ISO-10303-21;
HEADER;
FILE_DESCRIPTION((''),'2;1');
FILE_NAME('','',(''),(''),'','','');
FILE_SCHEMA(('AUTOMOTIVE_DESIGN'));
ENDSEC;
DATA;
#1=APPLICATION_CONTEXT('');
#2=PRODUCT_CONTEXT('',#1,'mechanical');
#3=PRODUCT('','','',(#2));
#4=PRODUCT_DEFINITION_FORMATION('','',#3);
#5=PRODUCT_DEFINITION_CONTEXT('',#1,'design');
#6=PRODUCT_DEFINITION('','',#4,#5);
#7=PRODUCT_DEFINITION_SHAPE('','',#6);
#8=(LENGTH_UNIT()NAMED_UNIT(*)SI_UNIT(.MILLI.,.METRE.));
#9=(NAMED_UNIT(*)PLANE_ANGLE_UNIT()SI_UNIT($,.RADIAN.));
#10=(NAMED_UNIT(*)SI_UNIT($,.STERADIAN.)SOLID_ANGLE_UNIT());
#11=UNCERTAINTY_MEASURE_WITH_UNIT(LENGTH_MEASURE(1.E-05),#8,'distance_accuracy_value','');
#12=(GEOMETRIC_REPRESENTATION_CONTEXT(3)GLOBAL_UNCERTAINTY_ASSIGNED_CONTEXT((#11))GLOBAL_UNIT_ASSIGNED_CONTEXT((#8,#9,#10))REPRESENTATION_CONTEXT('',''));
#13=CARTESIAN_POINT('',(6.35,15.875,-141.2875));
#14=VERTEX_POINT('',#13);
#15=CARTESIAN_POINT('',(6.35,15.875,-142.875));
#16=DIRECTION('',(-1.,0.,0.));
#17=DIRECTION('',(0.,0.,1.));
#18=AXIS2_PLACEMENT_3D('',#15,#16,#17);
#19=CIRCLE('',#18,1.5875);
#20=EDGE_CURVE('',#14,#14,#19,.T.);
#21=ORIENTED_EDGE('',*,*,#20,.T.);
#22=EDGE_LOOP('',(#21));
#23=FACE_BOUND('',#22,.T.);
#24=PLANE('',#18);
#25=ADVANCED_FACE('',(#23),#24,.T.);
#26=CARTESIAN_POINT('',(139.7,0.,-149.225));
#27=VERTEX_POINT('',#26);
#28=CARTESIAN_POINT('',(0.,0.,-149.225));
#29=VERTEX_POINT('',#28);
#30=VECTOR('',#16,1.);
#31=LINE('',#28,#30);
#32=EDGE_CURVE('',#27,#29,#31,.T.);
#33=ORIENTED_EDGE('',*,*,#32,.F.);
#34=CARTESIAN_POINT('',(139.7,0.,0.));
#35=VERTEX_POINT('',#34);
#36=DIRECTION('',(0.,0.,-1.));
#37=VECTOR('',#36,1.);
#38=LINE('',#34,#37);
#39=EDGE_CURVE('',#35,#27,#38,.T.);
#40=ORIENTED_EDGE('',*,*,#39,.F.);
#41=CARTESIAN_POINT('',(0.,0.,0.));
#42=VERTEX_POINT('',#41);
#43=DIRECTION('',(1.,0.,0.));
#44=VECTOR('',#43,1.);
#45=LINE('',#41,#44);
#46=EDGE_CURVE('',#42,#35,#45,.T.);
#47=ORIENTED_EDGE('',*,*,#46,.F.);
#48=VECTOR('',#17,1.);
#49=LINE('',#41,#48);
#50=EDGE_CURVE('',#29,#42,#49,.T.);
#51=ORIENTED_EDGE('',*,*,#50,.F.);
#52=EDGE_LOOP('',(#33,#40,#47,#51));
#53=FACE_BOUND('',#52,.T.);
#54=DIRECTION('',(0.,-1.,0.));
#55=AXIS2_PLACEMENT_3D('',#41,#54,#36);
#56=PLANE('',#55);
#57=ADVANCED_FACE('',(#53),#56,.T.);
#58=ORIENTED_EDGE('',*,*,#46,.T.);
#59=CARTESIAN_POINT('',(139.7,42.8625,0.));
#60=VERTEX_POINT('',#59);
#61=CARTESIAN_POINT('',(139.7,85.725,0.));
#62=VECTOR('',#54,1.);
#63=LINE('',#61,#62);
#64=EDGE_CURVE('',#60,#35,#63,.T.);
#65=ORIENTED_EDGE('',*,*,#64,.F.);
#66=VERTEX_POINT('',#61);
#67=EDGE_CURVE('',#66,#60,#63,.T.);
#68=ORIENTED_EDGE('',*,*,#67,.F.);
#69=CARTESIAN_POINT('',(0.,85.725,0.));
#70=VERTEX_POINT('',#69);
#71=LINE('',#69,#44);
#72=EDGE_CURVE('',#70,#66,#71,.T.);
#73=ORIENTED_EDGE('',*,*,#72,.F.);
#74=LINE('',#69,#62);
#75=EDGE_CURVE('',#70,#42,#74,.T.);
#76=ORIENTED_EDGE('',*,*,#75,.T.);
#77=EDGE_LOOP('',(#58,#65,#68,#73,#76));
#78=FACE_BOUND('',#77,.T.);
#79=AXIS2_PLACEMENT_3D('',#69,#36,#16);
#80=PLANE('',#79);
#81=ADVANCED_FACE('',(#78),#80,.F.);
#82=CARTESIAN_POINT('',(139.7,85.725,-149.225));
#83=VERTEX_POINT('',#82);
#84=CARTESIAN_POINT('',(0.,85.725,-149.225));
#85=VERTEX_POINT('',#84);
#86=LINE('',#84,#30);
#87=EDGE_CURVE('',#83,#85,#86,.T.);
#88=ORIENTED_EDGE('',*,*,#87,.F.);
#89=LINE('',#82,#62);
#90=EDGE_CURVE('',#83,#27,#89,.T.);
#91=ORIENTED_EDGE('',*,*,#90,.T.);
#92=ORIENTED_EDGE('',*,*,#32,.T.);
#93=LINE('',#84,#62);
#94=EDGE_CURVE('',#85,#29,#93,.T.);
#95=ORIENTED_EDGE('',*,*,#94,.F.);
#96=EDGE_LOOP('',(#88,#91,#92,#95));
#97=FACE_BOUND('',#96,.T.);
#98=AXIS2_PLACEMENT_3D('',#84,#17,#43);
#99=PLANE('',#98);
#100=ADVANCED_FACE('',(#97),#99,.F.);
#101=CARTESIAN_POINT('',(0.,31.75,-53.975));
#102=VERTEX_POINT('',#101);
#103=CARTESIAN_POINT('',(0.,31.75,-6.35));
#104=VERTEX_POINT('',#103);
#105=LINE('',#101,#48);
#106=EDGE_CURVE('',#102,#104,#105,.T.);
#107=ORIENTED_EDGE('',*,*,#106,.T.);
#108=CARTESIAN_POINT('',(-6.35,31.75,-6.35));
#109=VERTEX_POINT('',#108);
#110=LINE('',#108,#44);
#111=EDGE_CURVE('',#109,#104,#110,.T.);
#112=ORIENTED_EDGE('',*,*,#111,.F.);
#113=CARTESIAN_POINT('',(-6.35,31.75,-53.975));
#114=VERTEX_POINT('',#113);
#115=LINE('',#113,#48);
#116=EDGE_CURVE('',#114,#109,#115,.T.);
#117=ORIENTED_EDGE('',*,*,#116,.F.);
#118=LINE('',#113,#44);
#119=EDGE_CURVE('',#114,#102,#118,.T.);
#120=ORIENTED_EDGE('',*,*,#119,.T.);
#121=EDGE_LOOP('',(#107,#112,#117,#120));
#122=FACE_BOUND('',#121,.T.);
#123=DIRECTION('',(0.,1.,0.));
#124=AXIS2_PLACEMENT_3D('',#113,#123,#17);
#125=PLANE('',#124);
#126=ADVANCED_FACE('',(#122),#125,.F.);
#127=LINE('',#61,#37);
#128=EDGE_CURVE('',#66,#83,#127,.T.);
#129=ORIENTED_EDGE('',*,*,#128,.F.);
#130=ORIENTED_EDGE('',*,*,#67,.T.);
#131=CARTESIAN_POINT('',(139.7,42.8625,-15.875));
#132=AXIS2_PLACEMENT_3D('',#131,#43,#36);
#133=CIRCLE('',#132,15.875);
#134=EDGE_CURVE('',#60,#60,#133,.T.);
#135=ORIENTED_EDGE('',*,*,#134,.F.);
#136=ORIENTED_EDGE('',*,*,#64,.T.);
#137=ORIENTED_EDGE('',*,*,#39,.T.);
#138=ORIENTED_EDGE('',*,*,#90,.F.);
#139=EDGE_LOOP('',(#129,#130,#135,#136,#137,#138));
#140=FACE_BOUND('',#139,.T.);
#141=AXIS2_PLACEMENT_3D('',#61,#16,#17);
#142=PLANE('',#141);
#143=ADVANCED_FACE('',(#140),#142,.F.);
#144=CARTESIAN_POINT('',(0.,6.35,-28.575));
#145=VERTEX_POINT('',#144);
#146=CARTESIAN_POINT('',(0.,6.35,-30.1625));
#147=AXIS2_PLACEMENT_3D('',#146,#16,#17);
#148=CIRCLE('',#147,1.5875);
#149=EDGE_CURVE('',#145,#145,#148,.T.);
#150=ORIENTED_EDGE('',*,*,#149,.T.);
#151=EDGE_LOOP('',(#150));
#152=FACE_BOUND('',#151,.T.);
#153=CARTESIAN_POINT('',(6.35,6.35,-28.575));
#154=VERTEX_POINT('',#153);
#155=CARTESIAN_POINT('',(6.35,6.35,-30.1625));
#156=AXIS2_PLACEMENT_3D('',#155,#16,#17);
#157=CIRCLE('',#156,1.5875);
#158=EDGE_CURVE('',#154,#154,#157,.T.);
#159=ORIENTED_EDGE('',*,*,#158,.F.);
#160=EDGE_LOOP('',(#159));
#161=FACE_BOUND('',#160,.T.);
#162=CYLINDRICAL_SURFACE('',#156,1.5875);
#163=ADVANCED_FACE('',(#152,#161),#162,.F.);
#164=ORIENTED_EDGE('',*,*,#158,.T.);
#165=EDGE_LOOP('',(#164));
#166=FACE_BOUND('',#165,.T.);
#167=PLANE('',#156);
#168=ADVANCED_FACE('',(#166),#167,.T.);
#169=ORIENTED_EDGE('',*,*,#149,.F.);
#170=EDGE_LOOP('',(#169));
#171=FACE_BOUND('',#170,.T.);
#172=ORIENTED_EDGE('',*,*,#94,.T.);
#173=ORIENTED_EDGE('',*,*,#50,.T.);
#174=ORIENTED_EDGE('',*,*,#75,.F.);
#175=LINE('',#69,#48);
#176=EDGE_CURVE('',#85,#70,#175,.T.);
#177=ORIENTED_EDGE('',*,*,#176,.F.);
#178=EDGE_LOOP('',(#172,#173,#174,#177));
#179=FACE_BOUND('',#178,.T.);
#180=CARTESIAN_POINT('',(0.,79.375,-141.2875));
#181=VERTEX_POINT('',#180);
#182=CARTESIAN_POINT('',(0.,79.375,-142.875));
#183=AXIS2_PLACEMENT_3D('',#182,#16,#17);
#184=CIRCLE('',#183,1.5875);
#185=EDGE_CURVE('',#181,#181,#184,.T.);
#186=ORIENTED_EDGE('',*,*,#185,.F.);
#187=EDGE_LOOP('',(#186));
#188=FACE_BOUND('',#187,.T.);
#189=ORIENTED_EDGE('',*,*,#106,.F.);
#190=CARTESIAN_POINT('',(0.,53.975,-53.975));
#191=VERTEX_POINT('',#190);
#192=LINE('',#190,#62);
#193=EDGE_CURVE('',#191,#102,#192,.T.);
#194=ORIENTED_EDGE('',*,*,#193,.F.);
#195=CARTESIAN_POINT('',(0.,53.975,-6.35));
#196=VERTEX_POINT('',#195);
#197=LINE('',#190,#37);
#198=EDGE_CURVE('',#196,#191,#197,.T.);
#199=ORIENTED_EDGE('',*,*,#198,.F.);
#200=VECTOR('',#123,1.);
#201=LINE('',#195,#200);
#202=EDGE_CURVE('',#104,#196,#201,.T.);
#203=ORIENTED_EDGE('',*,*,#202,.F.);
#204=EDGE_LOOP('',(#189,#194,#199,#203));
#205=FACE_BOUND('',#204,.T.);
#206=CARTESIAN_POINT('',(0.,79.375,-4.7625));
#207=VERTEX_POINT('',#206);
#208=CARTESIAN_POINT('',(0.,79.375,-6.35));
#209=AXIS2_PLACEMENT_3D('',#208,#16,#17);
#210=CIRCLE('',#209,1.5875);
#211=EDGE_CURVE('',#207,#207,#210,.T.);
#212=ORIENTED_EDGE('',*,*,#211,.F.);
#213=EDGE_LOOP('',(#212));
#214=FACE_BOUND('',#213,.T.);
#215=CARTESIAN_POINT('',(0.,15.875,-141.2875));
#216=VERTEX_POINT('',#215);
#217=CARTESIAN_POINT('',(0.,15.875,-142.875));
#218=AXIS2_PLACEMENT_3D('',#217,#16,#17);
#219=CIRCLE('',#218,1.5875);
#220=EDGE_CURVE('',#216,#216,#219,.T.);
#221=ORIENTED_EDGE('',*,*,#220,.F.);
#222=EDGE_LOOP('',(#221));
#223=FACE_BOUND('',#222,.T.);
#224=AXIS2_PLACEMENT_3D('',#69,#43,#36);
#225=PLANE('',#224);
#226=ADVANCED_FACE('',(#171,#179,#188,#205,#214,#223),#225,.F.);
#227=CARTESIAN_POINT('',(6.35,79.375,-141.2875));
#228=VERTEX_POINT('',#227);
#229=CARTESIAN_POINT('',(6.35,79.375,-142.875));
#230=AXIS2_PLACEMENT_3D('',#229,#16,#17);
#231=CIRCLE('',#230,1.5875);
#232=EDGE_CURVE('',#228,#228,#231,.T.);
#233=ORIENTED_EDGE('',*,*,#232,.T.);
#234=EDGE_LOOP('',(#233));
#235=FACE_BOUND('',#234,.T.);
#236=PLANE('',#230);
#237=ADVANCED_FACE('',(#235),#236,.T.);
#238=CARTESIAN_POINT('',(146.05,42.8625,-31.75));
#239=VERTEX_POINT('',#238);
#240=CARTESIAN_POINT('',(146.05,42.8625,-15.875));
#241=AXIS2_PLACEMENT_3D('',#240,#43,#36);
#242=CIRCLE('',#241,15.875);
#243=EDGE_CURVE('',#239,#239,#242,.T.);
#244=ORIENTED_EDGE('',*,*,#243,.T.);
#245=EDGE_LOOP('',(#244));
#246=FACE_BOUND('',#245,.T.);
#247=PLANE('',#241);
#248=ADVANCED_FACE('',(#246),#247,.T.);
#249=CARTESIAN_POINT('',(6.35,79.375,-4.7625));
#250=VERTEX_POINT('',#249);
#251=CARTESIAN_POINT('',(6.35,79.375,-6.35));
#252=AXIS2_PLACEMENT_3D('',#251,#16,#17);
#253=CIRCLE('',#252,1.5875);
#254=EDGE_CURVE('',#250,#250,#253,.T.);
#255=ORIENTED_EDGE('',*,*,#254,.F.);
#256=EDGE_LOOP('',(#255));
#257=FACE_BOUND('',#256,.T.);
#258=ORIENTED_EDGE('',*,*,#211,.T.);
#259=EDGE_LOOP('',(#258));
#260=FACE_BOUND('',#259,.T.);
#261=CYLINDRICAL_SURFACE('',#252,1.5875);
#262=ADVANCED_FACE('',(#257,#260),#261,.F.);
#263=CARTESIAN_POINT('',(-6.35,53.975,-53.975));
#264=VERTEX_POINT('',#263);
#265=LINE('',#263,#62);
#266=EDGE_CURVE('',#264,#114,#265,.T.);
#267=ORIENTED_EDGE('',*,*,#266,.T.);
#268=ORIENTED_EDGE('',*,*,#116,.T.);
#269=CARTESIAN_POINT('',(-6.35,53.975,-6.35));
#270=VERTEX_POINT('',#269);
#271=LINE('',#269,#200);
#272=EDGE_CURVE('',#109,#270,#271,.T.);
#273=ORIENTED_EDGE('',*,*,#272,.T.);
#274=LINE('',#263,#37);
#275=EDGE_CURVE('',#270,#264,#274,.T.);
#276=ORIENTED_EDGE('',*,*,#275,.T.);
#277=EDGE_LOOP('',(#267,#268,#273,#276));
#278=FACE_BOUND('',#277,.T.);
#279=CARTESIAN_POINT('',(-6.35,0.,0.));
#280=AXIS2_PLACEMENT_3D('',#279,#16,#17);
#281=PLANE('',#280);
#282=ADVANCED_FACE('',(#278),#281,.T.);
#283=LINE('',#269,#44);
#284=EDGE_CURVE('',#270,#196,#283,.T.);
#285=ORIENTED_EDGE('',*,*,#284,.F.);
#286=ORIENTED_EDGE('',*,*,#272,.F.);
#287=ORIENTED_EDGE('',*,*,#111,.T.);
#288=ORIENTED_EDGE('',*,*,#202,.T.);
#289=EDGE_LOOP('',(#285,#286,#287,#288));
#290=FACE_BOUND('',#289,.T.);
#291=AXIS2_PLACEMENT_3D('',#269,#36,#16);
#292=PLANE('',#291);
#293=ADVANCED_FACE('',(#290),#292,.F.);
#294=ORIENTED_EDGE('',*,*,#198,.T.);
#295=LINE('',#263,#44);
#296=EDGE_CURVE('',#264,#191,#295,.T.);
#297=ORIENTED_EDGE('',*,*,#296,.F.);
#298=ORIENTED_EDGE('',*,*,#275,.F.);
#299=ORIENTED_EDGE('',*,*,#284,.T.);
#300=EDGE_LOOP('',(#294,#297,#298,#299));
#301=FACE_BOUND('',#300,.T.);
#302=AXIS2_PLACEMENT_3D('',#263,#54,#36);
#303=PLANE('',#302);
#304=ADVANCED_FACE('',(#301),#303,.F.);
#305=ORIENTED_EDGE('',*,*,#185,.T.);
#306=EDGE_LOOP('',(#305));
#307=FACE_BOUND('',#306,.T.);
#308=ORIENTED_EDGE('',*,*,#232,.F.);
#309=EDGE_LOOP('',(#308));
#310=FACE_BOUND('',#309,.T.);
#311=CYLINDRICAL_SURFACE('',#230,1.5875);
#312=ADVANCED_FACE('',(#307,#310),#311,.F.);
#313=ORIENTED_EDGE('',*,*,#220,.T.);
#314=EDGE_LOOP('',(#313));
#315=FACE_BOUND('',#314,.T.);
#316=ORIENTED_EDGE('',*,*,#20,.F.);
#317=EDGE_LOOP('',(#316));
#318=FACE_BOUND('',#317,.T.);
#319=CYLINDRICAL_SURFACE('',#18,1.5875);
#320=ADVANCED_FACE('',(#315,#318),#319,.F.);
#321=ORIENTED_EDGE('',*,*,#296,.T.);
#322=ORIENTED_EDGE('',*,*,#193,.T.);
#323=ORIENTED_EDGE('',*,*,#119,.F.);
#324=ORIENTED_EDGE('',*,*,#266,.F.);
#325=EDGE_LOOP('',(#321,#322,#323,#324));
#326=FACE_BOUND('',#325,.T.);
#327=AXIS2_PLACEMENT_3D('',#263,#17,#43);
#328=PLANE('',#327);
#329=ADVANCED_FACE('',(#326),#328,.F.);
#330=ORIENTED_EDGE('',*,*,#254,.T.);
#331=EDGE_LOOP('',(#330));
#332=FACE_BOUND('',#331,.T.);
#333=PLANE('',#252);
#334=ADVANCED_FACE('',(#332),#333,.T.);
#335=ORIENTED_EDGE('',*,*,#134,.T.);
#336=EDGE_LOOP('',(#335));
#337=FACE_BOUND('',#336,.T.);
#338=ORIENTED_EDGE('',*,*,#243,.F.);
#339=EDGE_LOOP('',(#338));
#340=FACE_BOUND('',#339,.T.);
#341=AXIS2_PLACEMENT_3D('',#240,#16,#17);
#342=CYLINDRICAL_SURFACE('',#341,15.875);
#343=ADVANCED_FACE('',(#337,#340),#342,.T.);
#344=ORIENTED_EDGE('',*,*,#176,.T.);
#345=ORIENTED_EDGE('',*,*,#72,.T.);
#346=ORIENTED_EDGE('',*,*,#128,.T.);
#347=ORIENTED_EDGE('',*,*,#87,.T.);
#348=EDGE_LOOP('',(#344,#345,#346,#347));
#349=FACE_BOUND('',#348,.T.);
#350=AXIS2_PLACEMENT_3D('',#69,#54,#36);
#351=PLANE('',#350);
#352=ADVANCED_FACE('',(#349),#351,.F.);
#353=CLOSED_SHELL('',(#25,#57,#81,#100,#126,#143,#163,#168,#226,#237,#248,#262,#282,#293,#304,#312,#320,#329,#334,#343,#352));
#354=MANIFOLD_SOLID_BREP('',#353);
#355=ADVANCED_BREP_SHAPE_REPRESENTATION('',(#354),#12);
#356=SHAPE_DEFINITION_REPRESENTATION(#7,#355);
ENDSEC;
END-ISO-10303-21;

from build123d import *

# Parameters (mm, degrees)
SKETCH1_W           = 139.7
SKETCH1_H           = 149.225
BOSS_EXTRUDE1_DEPTH = 85.725
SKETCH2_W           = 47.625
SKETCH2_H           = 22.225
BOSS_EXTRUDE2_DEPTH = 6.35
SKETCH3_R           = 15.875
BOSS_EXTRUDE3_DEPTH = 6.35
SKETCH4_R           = 1.5875
CUT_EXTRUDE1_DEPTH  = 6.35


with BuildPart() as part:
    # Sketch1 → Boss-Extrude1 (new body)
    with BuildSketch(Plane(origin=(0, 0, 0), x_dir=(1, 0, 0), z_dir=(0, 1, 0))):
        with Locations((69.85, 74.6125)):
            Rectangle(SKETCH1_W, SKETCH1_H)
    extrude(amount=BOSS_EXTRUDE1_DEPTH)

    # Sketch2 → Boss-Extrude2 (add)
    with BuildSketch(Plane.ZY):
        with Locations((-30.1625, 42.8625)):
            Rectangle(SKETCH2_W, SKETCH2_H)
    extrude(amount=BOSS_EXTRUDE2_DEPTH)

    # Sketch3 → Boss-Extrude3 (add)
    with BuildSketch(Plane(origin=(139.7, 0, 0), x_dir=(0, 0, -1), z_dir=(1, 0, 0))):
        with Locations(Location((15.875, 42.8625, 0), (0, 0, 180))):
            Circle(SKETCH3_R)
    extrude(amount=BOSS_EXTRUDE3_DEPTH)

    # Sketch4 → Cut-Extrude1 (cut)
    with BuildSketch(Plane.ZY):
        with Locations((-6.35, 79.375)):
            Circle(SKETCH4_R)
        with Locations((-142.875, 79.375)):
            Circle(SKETCH4_R)
        with Locations((-142.875, 15.875)):
            Circle(SKETCH4_R)
        with Locations((-30.1625, 6.35)):
            Circle(SKETCH4_R)
    extrude(amount=-CUT_EXTRUDE1_DEPTH, mode=Mode.SUBTRACT)


solid = part.part
